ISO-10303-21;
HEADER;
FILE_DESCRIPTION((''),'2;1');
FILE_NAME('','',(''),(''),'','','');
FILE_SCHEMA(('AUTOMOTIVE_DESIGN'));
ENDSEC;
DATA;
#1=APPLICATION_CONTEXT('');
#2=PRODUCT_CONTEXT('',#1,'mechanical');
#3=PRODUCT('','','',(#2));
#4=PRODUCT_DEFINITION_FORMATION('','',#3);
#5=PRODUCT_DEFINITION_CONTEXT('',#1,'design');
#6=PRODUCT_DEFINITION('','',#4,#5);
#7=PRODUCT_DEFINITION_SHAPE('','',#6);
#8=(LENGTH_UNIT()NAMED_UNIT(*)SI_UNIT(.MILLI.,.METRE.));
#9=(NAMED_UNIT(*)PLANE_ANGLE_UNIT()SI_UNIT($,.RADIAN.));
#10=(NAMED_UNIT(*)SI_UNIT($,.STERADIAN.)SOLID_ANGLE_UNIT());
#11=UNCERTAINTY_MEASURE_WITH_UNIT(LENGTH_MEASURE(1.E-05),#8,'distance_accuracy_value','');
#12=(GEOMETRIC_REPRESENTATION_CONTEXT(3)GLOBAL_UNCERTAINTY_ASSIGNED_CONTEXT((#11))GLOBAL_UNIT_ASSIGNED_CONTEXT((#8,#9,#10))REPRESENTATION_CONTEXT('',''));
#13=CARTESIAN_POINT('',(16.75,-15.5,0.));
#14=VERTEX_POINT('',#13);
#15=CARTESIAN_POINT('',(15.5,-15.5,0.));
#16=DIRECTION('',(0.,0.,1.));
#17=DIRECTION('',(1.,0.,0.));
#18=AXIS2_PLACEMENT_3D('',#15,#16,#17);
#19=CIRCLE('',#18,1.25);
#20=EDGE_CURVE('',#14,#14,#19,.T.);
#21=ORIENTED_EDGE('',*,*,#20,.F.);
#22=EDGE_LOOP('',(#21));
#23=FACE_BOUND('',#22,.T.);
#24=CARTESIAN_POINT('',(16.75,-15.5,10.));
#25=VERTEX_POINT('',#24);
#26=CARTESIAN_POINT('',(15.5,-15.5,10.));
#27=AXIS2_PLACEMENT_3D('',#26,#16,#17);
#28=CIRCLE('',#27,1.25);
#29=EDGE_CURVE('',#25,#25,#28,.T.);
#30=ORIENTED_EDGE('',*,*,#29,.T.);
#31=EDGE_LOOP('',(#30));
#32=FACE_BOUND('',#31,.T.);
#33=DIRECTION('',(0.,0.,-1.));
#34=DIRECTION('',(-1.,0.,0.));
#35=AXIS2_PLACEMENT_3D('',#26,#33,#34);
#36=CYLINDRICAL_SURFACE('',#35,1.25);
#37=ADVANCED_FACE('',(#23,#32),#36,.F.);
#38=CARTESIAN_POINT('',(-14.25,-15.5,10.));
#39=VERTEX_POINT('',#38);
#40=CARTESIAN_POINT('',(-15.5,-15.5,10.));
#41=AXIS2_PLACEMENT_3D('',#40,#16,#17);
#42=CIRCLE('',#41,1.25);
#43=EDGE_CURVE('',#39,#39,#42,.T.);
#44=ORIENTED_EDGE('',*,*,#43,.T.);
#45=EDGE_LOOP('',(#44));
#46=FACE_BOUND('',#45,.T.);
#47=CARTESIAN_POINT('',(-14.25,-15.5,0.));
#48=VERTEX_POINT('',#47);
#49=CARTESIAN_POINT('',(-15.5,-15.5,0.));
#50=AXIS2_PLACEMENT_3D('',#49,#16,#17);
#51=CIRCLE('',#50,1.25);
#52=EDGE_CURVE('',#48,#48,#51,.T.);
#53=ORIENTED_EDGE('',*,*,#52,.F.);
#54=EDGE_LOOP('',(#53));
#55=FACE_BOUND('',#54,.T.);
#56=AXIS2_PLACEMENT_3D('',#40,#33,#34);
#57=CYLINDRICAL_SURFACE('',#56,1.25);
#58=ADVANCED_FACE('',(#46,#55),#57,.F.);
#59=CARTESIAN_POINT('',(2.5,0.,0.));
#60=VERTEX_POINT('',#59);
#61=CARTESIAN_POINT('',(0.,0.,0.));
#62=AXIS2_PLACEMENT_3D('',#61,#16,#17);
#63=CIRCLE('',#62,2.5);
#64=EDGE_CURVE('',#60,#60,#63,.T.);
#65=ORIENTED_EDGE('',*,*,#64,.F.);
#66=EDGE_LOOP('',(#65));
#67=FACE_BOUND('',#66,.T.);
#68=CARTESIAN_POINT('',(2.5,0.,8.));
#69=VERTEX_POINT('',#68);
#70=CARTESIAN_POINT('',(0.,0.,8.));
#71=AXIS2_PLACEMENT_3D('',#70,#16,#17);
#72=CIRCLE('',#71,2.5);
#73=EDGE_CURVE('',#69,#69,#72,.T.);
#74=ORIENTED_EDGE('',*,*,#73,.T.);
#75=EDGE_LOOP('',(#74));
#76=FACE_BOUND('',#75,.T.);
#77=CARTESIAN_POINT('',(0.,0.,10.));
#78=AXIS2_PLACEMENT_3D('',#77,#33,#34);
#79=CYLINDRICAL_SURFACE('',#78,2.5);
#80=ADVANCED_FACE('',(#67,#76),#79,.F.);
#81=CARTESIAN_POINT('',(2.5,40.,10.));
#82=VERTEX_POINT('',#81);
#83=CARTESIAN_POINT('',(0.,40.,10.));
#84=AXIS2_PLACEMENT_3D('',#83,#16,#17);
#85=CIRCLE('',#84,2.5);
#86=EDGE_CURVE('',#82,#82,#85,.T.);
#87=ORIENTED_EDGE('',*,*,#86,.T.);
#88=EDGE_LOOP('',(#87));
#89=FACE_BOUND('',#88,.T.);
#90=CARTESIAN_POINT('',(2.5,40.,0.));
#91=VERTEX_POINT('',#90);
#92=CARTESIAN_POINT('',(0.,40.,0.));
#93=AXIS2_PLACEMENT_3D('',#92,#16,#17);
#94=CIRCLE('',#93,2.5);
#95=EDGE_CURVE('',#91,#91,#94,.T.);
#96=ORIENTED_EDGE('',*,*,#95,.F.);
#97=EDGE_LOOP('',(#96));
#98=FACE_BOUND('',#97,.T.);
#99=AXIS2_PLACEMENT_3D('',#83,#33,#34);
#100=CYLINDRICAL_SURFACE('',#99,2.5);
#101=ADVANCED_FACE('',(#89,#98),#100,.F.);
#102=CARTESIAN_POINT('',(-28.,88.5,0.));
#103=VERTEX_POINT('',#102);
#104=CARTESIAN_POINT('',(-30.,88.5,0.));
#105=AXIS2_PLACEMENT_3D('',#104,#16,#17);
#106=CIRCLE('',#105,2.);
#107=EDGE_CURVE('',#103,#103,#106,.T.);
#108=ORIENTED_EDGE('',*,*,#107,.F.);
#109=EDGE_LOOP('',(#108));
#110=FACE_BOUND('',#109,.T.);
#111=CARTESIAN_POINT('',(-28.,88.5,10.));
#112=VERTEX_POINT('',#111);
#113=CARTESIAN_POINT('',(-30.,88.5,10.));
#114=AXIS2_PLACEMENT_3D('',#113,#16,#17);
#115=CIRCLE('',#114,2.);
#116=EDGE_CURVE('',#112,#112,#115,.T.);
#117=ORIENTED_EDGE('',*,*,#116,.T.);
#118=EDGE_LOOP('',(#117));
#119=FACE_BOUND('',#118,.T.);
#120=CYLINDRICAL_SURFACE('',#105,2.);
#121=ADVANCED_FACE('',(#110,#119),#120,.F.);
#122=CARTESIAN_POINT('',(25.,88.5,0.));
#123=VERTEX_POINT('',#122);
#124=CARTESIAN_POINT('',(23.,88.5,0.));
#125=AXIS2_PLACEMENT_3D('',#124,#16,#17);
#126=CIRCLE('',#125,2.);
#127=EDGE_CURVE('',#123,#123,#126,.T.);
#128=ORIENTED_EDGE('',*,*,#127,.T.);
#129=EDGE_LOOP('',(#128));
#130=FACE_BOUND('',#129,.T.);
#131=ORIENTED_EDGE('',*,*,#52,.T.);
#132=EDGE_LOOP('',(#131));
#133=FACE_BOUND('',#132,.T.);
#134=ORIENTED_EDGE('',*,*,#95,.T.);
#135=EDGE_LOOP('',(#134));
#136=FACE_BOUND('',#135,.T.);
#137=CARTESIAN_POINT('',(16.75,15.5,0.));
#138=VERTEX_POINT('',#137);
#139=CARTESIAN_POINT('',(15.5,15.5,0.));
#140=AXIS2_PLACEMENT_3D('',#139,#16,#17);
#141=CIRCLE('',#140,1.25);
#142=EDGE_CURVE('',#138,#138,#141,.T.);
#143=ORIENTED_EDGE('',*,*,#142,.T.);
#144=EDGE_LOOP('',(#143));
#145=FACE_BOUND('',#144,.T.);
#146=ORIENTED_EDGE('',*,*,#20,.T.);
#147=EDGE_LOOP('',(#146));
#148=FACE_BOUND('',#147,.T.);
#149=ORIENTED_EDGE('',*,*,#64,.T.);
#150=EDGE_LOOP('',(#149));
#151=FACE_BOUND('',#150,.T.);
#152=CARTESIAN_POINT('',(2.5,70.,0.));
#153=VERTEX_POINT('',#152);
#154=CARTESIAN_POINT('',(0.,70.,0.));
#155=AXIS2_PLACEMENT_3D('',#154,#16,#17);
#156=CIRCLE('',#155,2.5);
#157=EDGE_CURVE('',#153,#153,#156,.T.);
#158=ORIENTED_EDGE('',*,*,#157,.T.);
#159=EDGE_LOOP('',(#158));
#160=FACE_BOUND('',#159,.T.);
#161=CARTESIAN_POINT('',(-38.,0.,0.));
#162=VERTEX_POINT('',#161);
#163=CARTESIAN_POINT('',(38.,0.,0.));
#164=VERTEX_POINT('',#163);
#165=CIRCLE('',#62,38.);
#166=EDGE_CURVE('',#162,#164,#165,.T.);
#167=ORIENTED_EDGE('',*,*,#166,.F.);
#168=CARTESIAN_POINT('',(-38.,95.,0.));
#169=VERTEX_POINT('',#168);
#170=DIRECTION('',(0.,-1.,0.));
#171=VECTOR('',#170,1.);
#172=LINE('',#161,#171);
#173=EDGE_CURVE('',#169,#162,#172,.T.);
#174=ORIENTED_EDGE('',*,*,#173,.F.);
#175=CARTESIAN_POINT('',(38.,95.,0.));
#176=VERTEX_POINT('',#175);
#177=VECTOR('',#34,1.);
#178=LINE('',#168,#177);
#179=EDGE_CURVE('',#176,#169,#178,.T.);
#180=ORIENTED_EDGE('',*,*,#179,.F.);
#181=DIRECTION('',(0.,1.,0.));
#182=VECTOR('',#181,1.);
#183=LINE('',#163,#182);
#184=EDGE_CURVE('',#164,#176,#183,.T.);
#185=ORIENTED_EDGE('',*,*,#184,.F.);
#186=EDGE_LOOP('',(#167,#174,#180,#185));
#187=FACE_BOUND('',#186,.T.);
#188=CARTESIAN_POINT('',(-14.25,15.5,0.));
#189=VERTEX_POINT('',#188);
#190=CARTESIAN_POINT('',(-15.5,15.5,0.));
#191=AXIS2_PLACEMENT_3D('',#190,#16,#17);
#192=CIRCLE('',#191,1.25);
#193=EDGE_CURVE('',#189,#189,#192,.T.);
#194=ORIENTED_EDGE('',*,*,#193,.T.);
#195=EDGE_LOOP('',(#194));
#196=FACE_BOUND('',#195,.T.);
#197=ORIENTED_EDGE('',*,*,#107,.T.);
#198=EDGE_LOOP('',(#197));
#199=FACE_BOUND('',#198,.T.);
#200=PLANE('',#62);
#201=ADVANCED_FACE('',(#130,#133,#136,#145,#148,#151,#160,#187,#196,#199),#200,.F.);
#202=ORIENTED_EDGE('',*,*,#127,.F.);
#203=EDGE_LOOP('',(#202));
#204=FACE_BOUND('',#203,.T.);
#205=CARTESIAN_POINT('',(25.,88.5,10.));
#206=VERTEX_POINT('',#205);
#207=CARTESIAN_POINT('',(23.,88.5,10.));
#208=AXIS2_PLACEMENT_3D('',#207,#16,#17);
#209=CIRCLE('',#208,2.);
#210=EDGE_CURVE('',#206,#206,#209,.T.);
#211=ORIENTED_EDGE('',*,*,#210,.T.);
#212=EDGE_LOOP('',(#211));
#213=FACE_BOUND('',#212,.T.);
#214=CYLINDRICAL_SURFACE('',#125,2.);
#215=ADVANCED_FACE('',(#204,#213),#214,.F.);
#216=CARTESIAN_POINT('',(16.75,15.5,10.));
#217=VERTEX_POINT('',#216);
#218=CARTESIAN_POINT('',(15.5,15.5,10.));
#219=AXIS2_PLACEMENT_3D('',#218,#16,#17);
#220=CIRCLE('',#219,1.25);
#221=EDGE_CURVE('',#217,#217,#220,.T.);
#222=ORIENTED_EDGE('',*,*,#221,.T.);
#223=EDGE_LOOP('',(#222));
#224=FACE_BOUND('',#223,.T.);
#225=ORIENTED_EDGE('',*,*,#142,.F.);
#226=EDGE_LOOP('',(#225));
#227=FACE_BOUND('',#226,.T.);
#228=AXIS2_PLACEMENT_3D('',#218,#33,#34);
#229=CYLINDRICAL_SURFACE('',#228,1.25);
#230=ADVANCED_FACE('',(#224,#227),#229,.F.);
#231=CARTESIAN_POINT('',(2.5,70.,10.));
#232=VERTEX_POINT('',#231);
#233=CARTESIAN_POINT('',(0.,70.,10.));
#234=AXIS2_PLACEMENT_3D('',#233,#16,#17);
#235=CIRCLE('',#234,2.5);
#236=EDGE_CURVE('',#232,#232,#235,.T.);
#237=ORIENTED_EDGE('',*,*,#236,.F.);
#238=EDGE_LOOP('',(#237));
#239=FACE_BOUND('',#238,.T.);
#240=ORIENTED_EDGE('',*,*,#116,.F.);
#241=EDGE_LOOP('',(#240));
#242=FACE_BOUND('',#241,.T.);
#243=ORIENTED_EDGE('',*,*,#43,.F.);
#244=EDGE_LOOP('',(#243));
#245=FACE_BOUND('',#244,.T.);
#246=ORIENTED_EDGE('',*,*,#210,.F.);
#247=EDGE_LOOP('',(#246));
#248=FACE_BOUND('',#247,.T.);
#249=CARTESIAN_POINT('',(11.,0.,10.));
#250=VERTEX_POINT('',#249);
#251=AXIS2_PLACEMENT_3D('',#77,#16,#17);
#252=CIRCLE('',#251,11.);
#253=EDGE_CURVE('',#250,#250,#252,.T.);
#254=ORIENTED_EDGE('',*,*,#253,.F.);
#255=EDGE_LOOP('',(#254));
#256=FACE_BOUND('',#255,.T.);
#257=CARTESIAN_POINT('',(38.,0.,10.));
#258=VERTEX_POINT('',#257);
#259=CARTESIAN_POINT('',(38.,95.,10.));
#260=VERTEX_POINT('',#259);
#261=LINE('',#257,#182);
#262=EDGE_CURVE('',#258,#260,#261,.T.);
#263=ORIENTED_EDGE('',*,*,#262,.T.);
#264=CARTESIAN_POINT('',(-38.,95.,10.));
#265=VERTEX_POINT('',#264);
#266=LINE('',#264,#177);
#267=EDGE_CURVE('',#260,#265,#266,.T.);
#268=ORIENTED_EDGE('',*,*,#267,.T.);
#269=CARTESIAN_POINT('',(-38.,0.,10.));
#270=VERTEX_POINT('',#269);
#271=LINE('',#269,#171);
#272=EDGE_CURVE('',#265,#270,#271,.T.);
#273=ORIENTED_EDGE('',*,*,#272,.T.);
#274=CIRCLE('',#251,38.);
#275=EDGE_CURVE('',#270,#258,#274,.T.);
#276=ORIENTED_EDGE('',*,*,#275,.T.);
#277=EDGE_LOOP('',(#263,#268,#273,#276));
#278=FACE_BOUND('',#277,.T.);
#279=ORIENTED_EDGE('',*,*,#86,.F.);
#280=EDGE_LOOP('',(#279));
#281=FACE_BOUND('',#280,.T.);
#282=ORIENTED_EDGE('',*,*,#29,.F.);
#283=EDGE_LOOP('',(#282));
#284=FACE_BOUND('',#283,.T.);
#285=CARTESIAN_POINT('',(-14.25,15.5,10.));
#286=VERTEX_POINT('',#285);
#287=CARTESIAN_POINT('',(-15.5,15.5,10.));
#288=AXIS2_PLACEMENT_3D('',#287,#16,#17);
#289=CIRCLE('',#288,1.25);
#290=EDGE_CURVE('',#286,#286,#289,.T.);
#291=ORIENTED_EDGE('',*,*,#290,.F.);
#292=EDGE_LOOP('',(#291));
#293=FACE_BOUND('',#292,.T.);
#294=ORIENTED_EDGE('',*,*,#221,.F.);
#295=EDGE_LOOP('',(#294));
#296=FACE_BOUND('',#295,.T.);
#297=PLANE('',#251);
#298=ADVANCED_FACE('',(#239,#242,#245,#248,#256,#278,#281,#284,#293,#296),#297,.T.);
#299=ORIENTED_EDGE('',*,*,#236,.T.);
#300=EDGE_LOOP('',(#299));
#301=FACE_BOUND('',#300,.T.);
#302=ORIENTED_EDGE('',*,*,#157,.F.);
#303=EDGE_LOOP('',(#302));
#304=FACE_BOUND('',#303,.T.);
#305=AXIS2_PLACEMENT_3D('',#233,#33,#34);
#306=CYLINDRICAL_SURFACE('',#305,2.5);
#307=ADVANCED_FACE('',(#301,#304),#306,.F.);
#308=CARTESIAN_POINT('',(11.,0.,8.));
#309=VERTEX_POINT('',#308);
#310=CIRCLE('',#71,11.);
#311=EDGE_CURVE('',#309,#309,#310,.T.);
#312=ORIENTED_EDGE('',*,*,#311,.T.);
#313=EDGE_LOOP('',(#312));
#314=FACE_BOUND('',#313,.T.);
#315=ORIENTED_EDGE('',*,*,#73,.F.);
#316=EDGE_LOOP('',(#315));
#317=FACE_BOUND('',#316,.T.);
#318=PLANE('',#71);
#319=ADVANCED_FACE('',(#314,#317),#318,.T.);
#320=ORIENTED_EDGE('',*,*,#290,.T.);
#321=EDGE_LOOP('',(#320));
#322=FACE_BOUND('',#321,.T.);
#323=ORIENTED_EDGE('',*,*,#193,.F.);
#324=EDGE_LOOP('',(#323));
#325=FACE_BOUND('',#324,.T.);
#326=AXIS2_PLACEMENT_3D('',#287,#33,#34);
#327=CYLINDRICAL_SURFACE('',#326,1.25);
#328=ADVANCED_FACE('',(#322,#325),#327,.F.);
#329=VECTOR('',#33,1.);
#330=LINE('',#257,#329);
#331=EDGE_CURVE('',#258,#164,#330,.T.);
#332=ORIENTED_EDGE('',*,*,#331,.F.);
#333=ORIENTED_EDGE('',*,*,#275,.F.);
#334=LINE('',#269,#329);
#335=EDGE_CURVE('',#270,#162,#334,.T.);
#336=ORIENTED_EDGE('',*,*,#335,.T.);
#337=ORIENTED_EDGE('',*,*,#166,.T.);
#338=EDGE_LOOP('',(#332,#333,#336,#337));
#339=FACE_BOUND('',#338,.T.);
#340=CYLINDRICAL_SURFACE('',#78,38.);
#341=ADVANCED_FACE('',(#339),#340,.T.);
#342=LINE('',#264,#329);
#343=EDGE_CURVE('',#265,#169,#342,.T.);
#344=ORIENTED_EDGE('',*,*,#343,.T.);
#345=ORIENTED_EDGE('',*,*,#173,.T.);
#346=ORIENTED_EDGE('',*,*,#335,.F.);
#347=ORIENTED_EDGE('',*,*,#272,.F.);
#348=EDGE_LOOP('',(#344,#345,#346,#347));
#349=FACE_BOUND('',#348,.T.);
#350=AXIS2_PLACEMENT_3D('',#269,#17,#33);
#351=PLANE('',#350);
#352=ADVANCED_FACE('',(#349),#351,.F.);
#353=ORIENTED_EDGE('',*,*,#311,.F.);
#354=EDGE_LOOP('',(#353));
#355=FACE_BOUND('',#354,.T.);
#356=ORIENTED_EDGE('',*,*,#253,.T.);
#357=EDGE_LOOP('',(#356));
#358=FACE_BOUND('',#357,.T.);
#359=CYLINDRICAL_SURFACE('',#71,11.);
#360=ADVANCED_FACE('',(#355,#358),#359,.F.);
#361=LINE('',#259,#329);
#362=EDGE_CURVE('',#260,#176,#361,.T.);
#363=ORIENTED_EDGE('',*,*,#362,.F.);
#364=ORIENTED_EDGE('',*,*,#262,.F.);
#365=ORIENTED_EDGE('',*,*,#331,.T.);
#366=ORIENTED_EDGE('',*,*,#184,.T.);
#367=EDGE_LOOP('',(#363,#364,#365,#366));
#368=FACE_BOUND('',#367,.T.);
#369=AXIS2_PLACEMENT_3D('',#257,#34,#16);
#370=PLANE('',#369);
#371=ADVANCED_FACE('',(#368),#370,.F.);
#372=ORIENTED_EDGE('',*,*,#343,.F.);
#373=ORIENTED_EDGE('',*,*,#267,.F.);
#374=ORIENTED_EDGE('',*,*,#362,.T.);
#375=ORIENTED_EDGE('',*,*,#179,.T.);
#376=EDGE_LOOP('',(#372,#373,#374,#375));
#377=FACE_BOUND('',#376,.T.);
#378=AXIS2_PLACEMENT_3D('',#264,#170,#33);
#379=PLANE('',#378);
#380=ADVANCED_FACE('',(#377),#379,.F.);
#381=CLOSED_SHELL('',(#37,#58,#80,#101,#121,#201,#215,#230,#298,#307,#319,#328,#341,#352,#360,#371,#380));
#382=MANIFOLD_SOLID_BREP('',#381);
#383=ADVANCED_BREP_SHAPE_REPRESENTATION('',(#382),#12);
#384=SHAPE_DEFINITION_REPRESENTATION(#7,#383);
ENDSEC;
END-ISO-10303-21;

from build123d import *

# Parameters (mm, degrees)
CROQUIS1_R              = 2.5
CROQUIS1_R_2            = 1.25
SALIENTE_EXTRUIR1_DEPTH = 10
CROQUIS3_R              = 11
CORTAR_EXTRUIR1_DEPTH   = 2
CROQUIS4_R              = 2
CORTAR_EXTRUIR2_DEPTH   = 103.805641869


with BuildPart() as part:
    # Croquis1 → Saliente-Extruir1 (new body)
    with BuildSketch(Plane.XY):
        with BuildLine():
            Line((-38, 0), (-38, 95))
            Line((-38, 95), (38, 95))
            Line((38, 95), (38, 0))
            ThreePointArc((38, 0), (0, -38), (-38, 0))
        make_face()
        with Locations((0, 40)):
            Circle(CROQUIS1_R, mode=Mode.SUBTRACT)
        Circle(CROQUIS1_R, mode=Mode.SUBTRACT)
        with Locations((0, 70)):
            Circle(CROQUIS1_R, mode=Mode.SUBTRACT)
        with Locations((-15.5, 15.5)):
            Circle(CROQUIS1_R_2, mode=Mode.SUBTRACT)
        with Locations((15.5, 15.5)):
            Circle(CROQUIS1_R_2, mode=Mode.SUBTRACT)
        with Locations((15.5, -15.5)):
            Circle(CROQUIS1_R_2, mode=Mode.SUBTRACT)
        with Locations((-15.5, -15.5)):
            Circle(CROQUIS1_R_2, mode=Mode.SUBTRACT)
    extrude(amount=SALIENTE_EXTRUIR1_DEPTH)

    # Croquis3 → Cortar-Extruir1 (cut)
    with BuildSketch(Plane.XY.offset(10)):
        Circle(CROQUIS3_R)
    extrude(amount=-CORTAR_EXTRUIR1_DEPTH, mode=Mode.SUBTRACT)

    # Croquis4 → Cortar-Extruir2 (cut, through all)
    with BuildSketch(Plane.XY.offset(10)):
        with Locations((-30, 88.5)):
            Circle(CROQUIS4_R)
        with Locations((23, 88.5)):
            Circle(CROQUIS4_R)
    extrude(amount=-CORTAR_EXTRUIR2_DEPTH, mode=Mode.SUBTRACT)


solid = part.part
